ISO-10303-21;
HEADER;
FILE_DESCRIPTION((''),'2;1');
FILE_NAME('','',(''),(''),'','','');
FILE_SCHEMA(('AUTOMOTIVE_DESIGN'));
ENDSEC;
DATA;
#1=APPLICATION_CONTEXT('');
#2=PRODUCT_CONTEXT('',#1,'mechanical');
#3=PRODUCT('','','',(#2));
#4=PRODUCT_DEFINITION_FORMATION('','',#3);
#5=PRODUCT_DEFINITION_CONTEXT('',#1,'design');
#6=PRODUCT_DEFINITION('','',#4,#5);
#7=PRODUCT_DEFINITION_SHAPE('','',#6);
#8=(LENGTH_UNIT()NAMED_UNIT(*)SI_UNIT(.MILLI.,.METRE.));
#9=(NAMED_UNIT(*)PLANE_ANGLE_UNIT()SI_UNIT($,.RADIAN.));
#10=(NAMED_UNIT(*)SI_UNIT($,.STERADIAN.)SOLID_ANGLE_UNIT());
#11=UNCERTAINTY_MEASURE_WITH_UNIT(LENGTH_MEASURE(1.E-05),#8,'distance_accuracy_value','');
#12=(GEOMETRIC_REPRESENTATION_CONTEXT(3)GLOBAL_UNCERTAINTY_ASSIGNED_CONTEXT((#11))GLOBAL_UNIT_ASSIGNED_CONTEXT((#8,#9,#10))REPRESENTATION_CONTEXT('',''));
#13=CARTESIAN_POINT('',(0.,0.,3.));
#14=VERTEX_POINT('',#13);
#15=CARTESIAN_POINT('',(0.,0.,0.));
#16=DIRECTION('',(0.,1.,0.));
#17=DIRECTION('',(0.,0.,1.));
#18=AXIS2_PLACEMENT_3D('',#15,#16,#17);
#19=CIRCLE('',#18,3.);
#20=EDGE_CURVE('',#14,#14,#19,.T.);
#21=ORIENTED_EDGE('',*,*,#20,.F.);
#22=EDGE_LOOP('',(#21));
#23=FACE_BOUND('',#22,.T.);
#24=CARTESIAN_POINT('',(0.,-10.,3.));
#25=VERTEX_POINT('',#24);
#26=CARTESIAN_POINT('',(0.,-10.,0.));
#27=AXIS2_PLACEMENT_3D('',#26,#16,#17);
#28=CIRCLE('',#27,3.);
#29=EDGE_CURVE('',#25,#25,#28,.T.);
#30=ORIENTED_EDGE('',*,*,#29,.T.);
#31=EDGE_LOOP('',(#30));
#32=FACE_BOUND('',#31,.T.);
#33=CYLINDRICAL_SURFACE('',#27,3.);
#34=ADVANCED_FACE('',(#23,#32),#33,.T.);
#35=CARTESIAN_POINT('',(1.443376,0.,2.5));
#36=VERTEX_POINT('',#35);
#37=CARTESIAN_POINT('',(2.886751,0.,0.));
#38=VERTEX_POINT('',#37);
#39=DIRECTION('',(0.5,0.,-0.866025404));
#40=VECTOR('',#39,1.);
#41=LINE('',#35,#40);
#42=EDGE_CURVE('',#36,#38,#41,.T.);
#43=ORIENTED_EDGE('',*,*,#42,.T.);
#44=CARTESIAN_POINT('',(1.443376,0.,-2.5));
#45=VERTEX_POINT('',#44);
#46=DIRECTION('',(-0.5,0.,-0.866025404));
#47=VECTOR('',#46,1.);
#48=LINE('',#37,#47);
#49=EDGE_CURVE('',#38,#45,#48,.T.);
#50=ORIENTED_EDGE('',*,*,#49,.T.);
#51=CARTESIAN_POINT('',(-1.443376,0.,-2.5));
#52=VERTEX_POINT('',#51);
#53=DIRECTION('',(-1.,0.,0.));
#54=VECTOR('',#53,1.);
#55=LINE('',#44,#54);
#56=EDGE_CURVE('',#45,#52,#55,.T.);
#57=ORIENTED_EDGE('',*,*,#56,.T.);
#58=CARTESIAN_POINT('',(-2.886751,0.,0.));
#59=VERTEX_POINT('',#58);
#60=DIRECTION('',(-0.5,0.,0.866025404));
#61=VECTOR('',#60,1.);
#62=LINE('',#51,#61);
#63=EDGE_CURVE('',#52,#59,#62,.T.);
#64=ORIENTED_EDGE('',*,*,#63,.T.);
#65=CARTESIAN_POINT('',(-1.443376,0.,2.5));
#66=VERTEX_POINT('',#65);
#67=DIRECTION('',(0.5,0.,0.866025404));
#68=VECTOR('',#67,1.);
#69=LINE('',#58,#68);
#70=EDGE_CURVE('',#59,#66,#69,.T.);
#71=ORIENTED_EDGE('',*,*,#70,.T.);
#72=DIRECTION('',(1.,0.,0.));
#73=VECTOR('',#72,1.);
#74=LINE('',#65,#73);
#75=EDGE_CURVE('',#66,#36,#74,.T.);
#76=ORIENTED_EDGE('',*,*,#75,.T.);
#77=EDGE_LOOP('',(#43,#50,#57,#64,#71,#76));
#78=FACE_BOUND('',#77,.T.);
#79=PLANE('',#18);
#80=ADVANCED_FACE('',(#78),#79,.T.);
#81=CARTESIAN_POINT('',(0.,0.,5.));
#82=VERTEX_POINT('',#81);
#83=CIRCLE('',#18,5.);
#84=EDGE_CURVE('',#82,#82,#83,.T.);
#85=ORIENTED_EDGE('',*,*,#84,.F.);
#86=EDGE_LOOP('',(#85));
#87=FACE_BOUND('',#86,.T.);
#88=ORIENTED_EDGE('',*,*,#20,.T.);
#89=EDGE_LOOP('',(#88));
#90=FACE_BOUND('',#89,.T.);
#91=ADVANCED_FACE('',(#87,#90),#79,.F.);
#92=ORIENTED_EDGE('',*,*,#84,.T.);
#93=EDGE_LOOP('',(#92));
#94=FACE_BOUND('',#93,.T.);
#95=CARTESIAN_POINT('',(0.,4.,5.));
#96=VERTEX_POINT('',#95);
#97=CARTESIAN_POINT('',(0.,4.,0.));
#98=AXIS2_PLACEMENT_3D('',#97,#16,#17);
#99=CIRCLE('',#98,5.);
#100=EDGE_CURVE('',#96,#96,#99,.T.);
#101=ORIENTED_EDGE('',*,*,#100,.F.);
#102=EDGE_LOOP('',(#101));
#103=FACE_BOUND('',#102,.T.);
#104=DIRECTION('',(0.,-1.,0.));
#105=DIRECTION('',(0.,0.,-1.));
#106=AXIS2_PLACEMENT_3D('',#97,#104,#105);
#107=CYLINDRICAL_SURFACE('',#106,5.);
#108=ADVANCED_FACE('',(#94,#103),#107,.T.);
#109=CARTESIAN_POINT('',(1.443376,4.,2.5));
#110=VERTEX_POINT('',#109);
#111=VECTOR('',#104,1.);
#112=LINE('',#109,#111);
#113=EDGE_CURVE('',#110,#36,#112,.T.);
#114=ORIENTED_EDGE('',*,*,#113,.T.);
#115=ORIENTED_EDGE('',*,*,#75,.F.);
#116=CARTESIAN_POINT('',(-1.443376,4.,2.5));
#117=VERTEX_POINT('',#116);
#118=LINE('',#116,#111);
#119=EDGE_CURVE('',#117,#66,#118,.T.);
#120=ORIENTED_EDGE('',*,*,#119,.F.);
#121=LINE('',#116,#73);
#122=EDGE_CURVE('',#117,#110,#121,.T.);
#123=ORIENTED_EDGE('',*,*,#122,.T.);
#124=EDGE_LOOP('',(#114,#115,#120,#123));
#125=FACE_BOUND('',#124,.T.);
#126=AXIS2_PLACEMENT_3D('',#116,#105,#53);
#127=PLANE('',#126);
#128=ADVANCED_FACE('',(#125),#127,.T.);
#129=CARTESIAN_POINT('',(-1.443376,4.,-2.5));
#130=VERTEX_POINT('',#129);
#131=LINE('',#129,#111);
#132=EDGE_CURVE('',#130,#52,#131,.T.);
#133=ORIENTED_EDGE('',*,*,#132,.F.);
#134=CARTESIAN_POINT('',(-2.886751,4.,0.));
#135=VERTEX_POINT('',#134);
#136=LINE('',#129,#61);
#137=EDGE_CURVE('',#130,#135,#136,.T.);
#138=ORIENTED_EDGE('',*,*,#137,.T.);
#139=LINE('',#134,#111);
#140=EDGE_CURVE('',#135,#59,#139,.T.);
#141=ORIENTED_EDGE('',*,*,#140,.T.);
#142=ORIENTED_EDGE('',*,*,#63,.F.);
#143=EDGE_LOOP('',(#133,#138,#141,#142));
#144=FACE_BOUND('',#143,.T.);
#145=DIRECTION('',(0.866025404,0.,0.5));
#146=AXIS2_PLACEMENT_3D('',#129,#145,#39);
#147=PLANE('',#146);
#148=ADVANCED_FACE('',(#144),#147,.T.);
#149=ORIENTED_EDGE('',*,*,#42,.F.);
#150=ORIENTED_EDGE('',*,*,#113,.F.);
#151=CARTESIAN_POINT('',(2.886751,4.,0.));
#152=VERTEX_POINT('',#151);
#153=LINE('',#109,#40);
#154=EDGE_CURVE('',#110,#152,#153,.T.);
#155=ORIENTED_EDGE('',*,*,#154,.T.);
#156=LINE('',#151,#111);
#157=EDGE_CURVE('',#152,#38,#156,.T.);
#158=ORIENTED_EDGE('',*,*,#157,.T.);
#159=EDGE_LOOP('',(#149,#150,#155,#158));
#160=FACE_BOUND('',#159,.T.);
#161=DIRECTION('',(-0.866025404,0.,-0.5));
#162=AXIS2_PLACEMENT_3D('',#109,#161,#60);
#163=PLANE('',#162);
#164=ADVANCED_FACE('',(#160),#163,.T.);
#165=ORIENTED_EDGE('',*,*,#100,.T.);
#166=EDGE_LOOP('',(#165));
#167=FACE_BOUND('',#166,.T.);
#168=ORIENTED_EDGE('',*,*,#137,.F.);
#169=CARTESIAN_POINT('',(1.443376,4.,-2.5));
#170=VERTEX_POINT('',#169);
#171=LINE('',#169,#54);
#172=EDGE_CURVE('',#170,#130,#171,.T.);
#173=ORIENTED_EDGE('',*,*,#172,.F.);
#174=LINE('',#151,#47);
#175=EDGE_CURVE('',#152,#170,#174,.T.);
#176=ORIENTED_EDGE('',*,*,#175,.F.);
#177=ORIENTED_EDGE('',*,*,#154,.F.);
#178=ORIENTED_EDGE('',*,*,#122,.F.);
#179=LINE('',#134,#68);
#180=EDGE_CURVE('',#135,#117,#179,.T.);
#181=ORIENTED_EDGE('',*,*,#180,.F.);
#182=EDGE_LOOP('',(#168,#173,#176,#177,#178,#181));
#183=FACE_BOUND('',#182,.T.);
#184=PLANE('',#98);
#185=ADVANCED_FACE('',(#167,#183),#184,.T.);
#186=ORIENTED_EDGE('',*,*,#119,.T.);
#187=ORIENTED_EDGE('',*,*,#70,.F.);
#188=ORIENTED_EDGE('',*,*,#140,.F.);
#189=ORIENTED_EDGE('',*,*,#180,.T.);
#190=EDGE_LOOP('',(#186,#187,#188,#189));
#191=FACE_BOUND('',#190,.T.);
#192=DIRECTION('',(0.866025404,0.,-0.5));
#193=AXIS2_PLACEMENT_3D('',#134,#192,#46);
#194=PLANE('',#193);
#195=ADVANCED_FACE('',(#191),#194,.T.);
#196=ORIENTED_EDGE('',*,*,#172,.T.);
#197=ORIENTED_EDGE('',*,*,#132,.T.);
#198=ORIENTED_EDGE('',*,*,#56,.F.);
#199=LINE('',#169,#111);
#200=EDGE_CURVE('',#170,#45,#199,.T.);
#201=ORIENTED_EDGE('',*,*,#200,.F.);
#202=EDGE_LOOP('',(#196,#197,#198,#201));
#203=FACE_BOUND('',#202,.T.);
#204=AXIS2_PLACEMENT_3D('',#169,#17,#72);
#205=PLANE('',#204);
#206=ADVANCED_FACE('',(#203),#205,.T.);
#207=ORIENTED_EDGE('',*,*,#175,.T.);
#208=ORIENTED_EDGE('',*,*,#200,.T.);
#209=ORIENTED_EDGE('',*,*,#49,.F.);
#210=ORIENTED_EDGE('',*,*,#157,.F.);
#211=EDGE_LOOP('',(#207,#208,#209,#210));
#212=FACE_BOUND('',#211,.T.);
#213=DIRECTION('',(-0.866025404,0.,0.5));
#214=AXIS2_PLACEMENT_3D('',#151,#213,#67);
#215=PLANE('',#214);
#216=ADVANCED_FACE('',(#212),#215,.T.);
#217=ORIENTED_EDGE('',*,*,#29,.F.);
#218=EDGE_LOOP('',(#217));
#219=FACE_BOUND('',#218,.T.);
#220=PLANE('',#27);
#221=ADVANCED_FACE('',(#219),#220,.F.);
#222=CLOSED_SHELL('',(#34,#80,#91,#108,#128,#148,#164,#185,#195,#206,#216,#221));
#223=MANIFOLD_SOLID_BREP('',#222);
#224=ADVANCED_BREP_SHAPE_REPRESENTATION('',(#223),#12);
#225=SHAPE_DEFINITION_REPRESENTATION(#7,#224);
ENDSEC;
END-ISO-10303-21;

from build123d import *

# Parameters (mm, degrees)
SKETCH1_R      = 3
EXTRUDE1_DEPTH = 10
SKETCH2_R      = 5
EXTRUDE2_DEPTH = 4


with BuildPart() as part:
    # Sketch1 → Extrude1 (new body)
    with BuildSketch(Plane(origin=(0, 0, 0), x_dir=(1, 0, 0), z_dir=(0, 1, 0))):
        with Locations(Location((0, 0, 0), (0, 0, 270))):
            Circle(SKETCH1_R)
    extrude(amount=-EXTRUDE1_DEPTH)

    # Sketch2 → Extrude2 (add)
    with BuildSketch(Plane(origin=(0, 0, 0), x_dir=(1, 0, 0), z_dir=(0, 1, 0))):
        with Locations(Location((0, 0, 0), (0, 0, 270))):
            Circle(SKETCH2_R)
        Polygon((2.886751346, 0), (1.443375673, 2.5), (-1.443375673, 2.5), (-2.886751346, 0), (-1.443375673, -2.5), (1.443375673, -2.5), align=None, mode=Mode.SUBTRACT)
    extrude(amount=EXTRUDE2_DEPTH)


solid = part.part
